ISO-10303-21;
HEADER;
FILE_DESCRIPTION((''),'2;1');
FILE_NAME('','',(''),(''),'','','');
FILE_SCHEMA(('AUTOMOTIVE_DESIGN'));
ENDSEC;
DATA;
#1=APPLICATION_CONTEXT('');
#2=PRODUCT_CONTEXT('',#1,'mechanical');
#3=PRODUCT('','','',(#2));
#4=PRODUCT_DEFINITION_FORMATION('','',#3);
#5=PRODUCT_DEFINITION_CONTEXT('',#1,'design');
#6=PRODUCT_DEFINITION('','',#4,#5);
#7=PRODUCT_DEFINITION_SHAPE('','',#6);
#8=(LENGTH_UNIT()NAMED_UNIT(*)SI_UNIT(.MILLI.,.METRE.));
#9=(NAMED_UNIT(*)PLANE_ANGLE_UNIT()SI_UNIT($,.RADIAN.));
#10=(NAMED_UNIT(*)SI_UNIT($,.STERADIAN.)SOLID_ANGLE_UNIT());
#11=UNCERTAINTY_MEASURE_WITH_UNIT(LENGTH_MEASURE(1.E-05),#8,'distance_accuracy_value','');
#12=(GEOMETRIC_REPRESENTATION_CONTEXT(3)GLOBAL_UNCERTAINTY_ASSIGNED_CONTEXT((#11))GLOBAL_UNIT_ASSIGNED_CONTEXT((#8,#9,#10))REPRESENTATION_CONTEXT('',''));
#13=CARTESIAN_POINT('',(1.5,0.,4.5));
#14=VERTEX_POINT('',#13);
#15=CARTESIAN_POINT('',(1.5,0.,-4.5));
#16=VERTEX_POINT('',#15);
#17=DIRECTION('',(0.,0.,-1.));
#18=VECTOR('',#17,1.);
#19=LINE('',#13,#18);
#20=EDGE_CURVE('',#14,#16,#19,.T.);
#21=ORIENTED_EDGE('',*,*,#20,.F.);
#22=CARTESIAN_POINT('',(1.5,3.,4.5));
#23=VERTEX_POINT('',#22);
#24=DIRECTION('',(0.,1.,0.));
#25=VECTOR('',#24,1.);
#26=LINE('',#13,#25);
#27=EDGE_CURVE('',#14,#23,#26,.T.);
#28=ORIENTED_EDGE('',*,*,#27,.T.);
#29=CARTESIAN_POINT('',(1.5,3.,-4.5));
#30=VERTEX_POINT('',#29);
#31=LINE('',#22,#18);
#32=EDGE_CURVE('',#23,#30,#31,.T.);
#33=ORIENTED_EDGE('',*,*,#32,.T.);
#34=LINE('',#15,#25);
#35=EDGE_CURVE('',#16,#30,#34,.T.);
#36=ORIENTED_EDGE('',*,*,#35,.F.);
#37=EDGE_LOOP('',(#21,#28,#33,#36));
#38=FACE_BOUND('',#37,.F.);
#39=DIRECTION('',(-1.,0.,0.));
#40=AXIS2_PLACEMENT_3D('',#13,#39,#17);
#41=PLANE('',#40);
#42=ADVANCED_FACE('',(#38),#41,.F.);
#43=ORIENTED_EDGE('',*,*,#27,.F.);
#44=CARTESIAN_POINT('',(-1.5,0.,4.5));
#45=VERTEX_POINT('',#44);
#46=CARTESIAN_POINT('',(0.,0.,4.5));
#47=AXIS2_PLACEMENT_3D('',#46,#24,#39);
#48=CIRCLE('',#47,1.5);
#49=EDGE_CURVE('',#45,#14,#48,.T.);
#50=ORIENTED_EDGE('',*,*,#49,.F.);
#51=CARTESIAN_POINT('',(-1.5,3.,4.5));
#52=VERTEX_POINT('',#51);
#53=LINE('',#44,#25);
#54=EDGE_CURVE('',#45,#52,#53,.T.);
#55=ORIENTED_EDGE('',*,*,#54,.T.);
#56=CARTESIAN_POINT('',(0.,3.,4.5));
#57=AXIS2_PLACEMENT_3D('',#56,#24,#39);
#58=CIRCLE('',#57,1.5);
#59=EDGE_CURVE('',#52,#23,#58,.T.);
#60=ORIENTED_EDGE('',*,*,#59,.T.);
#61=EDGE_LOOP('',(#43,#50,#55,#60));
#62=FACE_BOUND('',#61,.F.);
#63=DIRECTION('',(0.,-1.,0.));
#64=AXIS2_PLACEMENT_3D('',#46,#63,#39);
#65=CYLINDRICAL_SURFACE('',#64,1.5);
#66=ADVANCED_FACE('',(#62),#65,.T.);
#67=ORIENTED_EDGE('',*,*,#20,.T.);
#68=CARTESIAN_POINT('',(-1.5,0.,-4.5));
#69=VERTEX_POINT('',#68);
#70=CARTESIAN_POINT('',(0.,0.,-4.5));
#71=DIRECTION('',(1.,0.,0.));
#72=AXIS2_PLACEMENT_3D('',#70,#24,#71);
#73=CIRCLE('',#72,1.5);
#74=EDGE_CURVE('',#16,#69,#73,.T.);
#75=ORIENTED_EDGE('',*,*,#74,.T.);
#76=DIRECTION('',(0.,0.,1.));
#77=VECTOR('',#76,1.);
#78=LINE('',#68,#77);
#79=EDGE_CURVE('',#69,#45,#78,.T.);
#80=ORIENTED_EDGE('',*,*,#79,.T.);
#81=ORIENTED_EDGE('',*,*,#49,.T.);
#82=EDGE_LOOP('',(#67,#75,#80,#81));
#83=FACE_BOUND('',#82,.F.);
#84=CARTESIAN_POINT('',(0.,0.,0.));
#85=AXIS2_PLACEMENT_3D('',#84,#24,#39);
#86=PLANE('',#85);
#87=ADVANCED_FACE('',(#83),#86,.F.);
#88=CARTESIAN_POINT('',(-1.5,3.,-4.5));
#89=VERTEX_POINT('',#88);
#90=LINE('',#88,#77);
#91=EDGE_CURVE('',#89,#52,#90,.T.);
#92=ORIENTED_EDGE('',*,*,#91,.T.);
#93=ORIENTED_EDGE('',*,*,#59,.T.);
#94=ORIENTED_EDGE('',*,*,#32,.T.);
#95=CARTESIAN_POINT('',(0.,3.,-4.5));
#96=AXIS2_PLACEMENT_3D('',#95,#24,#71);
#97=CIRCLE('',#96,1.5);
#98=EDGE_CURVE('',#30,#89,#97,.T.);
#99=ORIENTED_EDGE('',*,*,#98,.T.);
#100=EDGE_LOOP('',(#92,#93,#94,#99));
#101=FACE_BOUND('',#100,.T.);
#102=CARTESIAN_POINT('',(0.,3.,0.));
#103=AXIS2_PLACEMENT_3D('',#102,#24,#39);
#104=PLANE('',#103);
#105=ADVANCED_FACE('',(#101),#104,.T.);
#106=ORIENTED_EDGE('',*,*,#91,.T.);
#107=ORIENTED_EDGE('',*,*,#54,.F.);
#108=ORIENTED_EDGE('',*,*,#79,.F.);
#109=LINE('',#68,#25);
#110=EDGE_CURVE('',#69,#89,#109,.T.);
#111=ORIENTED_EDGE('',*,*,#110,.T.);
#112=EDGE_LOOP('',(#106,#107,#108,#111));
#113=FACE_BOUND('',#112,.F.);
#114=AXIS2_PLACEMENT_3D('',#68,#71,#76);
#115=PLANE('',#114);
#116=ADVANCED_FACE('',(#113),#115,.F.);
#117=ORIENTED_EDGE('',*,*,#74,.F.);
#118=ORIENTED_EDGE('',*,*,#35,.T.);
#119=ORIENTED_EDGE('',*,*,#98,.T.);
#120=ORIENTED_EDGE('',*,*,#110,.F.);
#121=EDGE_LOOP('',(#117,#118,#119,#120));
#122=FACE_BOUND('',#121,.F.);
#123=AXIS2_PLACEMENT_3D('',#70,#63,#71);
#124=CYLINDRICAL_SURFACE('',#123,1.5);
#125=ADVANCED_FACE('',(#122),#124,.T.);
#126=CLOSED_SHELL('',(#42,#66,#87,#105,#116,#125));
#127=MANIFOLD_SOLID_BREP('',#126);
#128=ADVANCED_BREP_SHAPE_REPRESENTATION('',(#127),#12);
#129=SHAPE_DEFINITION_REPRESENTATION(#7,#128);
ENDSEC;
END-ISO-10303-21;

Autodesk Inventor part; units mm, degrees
ref_plane "YZ Plane" through (0, 0, 0) normal (1, 0, 0) x (0, 1, 0)
ref_plane "XZ Plane" through (0, 0, 0) normal (0, 1, 0) x (-1, 0, 0)
ref_plane "XY Plane" through (0, 0, 0) normal (0, 0, 1) x (1, 0, 0)
sketch "Skizze1" plane through (0, 0, 0) normal (0, 1, 0) x (-1, 0, 0)
  line L0 (0, 4.5) -> (0, -4.5) construction
  line L1 (-1.5, 4.5) -> (-1.5, -4.5)
  line L2 (1.5, -4.5) -> (1.5, 4.5)
  arc A0 (1.5, 4.5) -> (-1.5, 4.5) centre (0, 4.5) ccw
  arc A1 (-1.5, -4.5) -> (1.5, -4.5) centre (0, -4.5) ccw
  line L3 (0, -11.2) -> (0, 11.2) construction
  point P0 (0, 0)
  point P1 (0, 0)
  point P2 (0, 6)
  point P3 (0, -6)
  dimension "d1" = 3
  dimension "d4" = 12
extrude "Extrusion1" add sketch "Skizze1" along normal blind 3
equation "\"d1\" = Passfeder_width"
equation "\"d4\" = Passfeder_length"
equation "\"d2\" = Passfeder_height"
equation "\"Passfeder_height\" = 3"
equation "\"Passfeder_width\" = 3"
equation "\"Passfeder_length\" = 12"
equation "\"Wellennuttiefe\" = 1.8"
equation "\"Nabennuttiefe\" = 1.4"
properties part number "Passfeder6x3x3"
